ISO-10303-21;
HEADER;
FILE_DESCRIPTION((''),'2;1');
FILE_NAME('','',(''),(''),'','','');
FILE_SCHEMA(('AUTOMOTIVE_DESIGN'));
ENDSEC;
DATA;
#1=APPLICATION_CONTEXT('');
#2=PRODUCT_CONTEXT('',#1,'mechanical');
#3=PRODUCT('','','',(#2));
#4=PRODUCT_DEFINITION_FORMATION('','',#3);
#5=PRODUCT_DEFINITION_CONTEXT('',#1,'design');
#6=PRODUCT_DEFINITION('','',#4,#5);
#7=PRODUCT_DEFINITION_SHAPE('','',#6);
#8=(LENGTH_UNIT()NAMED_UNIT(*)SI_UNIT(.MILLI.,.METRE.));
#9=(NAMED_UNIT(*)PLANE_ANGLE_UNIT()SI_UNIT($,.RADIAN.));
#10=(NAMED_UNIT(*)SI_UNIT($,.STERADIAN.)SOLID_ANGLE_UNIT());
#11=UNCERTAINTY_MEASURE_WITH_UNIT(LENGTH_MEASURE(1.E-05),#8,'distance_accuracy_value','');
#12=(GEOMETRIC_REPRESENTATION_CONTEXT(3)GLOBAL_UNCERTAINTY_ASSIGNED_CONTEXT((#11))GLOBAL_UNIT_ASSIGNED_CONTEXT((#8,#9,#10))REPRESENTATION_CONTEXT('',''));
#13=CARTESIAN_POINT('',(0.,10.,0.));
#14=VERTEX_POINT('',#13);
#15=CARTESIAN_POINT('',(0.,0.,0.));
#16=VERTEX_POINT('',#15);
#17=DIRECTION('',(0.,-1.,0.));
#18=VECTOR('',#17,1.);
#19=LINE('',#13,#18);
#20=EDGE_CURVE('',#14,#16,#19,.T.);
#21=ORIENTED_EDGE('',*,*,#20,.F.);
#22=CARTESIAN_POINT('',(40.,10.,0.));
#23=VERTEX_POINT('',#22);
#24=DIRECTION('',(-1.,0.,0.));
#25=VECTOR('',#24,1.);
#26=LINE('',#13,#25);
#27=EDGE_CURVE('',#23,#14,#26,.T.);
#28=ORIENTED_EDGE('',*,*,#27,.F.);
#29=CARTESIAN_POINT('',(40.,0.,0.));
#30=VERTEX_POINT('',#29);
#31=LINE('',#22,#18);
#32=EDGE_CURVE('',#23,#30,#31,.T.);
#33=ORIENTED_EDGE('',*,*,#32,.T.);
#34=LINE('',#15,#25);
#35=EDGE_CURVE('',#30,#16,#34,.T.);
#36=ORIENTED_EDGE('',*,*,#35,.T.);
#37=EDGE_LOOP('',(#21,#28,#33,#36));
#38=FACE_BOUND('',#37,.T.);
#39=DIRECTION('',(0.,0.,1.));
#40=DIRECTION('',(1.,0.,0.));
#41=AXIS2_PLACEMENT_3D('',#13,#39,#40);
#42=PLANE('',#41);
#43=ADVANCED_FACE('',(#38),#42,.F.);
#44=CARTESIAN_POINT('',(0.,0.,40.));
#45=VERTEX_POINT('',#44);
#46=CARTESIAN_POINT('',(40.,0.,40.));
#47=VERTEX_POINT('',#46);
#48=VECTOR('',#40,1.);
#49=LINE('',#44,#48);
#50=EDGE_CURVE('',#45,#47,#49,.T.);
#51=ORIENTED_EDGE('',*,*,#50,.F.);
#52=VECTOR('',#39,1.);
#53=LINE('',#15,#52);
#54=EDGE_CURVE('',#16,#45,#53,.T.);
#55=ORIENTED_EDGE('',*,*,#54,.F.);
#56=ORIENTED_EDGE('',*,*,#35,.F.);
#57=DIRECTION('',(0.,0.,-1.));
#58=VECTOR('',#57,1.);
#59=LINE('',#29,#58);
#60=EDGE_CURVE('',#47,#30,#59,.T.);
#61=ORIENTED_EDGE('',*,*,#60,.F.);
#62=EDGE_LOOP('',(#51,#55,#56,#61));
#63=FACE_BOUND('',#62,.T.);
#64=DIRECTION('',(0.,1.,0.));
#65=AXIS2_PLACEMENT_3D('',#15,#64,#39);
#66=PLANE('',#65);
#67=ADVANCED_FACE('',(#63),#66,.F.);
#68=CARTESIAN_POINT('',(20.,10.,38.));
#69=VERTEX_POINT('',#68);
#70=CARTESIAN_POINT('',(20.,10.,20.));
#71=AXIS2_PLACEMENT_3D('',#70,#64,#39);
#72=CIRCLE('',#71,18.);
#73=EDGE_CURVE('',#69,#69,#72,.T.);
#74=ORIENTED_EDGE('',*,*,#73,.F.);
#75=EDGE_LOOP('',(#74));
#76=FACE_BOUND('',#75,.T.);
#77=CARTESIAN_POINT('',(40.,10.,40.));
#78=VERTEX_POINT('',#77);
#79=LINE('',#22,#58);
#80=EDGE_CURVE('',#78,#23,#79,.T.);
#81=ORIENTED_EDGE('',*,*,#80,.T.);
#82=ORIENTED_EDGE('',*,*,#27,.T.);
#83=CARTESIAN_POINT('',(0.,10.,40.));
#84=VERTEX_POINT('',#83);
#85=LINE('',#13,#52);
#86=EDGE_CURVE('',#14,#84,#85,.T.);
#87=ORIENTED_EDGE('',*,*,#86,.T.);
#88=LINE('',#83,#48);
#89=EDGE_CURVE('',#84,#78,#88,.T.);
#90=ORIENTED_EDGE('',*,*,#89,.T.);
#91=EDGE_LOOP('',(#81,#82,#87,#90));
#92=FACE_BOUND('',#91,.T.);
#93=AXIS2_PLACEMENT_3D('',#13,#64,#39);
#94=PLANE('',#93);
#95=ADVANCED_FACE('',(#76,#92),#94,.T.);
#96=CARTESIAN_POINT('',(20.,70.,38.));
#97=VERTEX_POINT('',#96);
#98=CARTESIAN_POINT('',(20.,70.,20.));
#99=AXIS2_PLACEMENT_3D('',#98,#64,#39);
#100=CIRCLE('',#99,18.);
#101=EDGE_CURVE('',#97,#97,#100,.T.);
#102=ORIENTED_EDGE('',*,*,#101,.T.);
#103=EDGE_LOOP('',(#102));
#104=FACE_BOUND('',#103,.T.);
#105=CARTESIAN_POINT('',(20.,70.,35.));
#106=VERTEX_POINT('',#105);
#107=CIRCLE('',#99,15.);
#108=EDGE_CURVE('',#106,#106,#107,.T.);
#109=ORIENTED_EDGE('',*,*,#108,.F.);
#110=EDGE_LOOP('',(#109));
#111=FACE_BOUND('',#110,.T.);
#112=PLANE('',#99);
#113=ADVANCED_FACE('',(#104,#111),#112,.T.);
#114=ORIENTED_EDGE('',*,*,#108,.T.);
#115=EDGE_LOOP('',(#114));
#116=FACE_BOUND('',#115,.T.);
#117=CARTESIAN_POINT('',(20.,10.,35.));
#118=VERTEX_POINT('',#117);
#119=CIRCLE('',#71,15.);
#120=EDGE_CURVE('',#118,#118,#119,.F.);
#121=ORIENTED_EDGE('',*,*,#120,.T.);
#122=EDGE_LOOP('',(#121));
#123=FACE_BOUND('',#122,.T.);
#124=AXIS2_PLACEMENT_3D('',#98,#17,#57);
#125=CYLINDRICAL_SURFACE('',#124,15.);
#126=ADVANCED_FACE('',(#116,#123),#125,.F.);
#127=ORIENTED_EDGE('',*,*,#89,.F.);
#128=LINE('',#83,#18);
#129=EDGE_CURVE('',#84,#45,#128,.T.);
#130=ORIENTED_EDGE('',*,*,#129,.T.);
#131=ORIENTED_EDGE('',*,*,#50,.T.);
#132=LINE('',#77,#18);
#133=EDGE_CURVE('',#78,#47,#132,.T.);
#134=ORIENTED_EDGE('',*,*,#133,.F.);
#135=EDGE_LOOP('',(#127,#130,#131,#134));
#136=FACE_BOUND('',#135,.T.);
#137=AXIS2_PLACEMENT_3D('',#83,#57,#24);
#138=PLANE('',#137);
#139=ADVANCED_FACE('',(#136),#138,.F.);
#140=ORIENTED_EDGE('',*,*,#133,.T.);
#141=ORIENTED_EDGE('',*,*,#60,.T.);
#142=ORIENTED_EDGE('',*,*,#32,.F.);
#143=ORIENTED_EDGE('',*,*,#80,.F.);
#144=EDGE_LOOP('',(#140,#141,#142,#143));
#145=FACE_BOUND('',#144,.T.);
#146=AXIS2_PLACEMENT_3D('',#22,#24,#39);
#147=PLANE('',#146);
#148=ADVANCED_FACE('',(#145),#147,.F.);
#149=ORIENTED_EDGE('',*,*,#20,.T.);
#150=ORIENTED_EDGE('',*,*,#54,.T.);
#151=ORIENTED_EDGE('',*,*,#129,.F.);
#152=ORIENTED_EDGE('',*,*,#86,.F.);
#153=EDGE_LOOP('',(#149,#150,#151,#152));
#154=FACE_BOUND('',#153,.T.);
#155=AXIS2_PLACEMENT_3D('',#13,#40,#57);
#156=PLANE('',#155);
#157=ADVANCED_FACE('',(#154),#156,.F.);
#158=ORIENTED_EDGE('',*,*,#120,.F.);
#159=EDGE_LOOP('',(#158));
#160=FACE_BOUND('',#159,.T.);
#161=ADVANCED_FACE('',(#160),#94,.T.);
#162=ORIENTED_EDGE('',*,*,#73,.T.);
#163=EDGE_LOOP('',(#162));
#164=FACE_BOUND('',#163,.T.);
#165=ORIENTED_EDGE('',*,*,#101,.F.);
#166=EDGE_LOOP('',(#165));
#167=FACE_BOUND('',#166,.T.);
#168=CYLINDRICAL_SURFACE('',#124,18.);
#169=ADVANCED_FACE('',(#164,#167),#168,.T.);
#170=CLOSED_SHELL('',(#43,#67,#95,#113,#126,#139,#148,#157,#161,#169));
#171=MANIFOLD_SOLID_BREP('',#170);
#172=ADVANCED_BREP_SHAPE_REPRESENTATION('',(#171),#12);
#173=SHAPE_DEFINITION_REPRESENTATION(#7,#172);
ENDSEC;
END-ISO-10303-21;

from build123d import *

# Parameters (mm, degrees)
SKETCH1_W           = 40
SKETCH1_H           = 40
BOSS_EXTRUDE1_DEPTH = 10
SKETCH2_R           = 18
SKETCH2_R_2         = 15
BOSS_EXTRUDE2_DEPTH = 60


with BuildPart() as part:
    # Sketch1 → Boss-Extrude1 (new body)
    with BuildSketch(Plane(origin=(0, 0, 0), x_dir=(1, 0, 0), z_dir=(0, 1, 0))):
        with Locations((20, -20)):
            Rectangle(SKETCH1_W, SKETCH1_H)
    extrude(amount=BOSS_EXTRUDE1_DEPTH)

    # Sketch2 → Boss-Extrude2 (add)
    with BuildSketch(Plane(origin=(0, 10, 0), x_dir=(1, 0, 0), z_dir=(0, 1, 0))):
        with Locations(Location((20, -20, 0), (0, 0, 270))):
            Circle(SKETCH2_R)
        with Locations(Location((20, -20, 0), (0, 0, 270))):
            Circle(SKETCH2_R_2, mode=Mode.SUBTRACT)
    extrude(amount=BOSS_EXTRUDE2_DEPTH)


solid = part.part
